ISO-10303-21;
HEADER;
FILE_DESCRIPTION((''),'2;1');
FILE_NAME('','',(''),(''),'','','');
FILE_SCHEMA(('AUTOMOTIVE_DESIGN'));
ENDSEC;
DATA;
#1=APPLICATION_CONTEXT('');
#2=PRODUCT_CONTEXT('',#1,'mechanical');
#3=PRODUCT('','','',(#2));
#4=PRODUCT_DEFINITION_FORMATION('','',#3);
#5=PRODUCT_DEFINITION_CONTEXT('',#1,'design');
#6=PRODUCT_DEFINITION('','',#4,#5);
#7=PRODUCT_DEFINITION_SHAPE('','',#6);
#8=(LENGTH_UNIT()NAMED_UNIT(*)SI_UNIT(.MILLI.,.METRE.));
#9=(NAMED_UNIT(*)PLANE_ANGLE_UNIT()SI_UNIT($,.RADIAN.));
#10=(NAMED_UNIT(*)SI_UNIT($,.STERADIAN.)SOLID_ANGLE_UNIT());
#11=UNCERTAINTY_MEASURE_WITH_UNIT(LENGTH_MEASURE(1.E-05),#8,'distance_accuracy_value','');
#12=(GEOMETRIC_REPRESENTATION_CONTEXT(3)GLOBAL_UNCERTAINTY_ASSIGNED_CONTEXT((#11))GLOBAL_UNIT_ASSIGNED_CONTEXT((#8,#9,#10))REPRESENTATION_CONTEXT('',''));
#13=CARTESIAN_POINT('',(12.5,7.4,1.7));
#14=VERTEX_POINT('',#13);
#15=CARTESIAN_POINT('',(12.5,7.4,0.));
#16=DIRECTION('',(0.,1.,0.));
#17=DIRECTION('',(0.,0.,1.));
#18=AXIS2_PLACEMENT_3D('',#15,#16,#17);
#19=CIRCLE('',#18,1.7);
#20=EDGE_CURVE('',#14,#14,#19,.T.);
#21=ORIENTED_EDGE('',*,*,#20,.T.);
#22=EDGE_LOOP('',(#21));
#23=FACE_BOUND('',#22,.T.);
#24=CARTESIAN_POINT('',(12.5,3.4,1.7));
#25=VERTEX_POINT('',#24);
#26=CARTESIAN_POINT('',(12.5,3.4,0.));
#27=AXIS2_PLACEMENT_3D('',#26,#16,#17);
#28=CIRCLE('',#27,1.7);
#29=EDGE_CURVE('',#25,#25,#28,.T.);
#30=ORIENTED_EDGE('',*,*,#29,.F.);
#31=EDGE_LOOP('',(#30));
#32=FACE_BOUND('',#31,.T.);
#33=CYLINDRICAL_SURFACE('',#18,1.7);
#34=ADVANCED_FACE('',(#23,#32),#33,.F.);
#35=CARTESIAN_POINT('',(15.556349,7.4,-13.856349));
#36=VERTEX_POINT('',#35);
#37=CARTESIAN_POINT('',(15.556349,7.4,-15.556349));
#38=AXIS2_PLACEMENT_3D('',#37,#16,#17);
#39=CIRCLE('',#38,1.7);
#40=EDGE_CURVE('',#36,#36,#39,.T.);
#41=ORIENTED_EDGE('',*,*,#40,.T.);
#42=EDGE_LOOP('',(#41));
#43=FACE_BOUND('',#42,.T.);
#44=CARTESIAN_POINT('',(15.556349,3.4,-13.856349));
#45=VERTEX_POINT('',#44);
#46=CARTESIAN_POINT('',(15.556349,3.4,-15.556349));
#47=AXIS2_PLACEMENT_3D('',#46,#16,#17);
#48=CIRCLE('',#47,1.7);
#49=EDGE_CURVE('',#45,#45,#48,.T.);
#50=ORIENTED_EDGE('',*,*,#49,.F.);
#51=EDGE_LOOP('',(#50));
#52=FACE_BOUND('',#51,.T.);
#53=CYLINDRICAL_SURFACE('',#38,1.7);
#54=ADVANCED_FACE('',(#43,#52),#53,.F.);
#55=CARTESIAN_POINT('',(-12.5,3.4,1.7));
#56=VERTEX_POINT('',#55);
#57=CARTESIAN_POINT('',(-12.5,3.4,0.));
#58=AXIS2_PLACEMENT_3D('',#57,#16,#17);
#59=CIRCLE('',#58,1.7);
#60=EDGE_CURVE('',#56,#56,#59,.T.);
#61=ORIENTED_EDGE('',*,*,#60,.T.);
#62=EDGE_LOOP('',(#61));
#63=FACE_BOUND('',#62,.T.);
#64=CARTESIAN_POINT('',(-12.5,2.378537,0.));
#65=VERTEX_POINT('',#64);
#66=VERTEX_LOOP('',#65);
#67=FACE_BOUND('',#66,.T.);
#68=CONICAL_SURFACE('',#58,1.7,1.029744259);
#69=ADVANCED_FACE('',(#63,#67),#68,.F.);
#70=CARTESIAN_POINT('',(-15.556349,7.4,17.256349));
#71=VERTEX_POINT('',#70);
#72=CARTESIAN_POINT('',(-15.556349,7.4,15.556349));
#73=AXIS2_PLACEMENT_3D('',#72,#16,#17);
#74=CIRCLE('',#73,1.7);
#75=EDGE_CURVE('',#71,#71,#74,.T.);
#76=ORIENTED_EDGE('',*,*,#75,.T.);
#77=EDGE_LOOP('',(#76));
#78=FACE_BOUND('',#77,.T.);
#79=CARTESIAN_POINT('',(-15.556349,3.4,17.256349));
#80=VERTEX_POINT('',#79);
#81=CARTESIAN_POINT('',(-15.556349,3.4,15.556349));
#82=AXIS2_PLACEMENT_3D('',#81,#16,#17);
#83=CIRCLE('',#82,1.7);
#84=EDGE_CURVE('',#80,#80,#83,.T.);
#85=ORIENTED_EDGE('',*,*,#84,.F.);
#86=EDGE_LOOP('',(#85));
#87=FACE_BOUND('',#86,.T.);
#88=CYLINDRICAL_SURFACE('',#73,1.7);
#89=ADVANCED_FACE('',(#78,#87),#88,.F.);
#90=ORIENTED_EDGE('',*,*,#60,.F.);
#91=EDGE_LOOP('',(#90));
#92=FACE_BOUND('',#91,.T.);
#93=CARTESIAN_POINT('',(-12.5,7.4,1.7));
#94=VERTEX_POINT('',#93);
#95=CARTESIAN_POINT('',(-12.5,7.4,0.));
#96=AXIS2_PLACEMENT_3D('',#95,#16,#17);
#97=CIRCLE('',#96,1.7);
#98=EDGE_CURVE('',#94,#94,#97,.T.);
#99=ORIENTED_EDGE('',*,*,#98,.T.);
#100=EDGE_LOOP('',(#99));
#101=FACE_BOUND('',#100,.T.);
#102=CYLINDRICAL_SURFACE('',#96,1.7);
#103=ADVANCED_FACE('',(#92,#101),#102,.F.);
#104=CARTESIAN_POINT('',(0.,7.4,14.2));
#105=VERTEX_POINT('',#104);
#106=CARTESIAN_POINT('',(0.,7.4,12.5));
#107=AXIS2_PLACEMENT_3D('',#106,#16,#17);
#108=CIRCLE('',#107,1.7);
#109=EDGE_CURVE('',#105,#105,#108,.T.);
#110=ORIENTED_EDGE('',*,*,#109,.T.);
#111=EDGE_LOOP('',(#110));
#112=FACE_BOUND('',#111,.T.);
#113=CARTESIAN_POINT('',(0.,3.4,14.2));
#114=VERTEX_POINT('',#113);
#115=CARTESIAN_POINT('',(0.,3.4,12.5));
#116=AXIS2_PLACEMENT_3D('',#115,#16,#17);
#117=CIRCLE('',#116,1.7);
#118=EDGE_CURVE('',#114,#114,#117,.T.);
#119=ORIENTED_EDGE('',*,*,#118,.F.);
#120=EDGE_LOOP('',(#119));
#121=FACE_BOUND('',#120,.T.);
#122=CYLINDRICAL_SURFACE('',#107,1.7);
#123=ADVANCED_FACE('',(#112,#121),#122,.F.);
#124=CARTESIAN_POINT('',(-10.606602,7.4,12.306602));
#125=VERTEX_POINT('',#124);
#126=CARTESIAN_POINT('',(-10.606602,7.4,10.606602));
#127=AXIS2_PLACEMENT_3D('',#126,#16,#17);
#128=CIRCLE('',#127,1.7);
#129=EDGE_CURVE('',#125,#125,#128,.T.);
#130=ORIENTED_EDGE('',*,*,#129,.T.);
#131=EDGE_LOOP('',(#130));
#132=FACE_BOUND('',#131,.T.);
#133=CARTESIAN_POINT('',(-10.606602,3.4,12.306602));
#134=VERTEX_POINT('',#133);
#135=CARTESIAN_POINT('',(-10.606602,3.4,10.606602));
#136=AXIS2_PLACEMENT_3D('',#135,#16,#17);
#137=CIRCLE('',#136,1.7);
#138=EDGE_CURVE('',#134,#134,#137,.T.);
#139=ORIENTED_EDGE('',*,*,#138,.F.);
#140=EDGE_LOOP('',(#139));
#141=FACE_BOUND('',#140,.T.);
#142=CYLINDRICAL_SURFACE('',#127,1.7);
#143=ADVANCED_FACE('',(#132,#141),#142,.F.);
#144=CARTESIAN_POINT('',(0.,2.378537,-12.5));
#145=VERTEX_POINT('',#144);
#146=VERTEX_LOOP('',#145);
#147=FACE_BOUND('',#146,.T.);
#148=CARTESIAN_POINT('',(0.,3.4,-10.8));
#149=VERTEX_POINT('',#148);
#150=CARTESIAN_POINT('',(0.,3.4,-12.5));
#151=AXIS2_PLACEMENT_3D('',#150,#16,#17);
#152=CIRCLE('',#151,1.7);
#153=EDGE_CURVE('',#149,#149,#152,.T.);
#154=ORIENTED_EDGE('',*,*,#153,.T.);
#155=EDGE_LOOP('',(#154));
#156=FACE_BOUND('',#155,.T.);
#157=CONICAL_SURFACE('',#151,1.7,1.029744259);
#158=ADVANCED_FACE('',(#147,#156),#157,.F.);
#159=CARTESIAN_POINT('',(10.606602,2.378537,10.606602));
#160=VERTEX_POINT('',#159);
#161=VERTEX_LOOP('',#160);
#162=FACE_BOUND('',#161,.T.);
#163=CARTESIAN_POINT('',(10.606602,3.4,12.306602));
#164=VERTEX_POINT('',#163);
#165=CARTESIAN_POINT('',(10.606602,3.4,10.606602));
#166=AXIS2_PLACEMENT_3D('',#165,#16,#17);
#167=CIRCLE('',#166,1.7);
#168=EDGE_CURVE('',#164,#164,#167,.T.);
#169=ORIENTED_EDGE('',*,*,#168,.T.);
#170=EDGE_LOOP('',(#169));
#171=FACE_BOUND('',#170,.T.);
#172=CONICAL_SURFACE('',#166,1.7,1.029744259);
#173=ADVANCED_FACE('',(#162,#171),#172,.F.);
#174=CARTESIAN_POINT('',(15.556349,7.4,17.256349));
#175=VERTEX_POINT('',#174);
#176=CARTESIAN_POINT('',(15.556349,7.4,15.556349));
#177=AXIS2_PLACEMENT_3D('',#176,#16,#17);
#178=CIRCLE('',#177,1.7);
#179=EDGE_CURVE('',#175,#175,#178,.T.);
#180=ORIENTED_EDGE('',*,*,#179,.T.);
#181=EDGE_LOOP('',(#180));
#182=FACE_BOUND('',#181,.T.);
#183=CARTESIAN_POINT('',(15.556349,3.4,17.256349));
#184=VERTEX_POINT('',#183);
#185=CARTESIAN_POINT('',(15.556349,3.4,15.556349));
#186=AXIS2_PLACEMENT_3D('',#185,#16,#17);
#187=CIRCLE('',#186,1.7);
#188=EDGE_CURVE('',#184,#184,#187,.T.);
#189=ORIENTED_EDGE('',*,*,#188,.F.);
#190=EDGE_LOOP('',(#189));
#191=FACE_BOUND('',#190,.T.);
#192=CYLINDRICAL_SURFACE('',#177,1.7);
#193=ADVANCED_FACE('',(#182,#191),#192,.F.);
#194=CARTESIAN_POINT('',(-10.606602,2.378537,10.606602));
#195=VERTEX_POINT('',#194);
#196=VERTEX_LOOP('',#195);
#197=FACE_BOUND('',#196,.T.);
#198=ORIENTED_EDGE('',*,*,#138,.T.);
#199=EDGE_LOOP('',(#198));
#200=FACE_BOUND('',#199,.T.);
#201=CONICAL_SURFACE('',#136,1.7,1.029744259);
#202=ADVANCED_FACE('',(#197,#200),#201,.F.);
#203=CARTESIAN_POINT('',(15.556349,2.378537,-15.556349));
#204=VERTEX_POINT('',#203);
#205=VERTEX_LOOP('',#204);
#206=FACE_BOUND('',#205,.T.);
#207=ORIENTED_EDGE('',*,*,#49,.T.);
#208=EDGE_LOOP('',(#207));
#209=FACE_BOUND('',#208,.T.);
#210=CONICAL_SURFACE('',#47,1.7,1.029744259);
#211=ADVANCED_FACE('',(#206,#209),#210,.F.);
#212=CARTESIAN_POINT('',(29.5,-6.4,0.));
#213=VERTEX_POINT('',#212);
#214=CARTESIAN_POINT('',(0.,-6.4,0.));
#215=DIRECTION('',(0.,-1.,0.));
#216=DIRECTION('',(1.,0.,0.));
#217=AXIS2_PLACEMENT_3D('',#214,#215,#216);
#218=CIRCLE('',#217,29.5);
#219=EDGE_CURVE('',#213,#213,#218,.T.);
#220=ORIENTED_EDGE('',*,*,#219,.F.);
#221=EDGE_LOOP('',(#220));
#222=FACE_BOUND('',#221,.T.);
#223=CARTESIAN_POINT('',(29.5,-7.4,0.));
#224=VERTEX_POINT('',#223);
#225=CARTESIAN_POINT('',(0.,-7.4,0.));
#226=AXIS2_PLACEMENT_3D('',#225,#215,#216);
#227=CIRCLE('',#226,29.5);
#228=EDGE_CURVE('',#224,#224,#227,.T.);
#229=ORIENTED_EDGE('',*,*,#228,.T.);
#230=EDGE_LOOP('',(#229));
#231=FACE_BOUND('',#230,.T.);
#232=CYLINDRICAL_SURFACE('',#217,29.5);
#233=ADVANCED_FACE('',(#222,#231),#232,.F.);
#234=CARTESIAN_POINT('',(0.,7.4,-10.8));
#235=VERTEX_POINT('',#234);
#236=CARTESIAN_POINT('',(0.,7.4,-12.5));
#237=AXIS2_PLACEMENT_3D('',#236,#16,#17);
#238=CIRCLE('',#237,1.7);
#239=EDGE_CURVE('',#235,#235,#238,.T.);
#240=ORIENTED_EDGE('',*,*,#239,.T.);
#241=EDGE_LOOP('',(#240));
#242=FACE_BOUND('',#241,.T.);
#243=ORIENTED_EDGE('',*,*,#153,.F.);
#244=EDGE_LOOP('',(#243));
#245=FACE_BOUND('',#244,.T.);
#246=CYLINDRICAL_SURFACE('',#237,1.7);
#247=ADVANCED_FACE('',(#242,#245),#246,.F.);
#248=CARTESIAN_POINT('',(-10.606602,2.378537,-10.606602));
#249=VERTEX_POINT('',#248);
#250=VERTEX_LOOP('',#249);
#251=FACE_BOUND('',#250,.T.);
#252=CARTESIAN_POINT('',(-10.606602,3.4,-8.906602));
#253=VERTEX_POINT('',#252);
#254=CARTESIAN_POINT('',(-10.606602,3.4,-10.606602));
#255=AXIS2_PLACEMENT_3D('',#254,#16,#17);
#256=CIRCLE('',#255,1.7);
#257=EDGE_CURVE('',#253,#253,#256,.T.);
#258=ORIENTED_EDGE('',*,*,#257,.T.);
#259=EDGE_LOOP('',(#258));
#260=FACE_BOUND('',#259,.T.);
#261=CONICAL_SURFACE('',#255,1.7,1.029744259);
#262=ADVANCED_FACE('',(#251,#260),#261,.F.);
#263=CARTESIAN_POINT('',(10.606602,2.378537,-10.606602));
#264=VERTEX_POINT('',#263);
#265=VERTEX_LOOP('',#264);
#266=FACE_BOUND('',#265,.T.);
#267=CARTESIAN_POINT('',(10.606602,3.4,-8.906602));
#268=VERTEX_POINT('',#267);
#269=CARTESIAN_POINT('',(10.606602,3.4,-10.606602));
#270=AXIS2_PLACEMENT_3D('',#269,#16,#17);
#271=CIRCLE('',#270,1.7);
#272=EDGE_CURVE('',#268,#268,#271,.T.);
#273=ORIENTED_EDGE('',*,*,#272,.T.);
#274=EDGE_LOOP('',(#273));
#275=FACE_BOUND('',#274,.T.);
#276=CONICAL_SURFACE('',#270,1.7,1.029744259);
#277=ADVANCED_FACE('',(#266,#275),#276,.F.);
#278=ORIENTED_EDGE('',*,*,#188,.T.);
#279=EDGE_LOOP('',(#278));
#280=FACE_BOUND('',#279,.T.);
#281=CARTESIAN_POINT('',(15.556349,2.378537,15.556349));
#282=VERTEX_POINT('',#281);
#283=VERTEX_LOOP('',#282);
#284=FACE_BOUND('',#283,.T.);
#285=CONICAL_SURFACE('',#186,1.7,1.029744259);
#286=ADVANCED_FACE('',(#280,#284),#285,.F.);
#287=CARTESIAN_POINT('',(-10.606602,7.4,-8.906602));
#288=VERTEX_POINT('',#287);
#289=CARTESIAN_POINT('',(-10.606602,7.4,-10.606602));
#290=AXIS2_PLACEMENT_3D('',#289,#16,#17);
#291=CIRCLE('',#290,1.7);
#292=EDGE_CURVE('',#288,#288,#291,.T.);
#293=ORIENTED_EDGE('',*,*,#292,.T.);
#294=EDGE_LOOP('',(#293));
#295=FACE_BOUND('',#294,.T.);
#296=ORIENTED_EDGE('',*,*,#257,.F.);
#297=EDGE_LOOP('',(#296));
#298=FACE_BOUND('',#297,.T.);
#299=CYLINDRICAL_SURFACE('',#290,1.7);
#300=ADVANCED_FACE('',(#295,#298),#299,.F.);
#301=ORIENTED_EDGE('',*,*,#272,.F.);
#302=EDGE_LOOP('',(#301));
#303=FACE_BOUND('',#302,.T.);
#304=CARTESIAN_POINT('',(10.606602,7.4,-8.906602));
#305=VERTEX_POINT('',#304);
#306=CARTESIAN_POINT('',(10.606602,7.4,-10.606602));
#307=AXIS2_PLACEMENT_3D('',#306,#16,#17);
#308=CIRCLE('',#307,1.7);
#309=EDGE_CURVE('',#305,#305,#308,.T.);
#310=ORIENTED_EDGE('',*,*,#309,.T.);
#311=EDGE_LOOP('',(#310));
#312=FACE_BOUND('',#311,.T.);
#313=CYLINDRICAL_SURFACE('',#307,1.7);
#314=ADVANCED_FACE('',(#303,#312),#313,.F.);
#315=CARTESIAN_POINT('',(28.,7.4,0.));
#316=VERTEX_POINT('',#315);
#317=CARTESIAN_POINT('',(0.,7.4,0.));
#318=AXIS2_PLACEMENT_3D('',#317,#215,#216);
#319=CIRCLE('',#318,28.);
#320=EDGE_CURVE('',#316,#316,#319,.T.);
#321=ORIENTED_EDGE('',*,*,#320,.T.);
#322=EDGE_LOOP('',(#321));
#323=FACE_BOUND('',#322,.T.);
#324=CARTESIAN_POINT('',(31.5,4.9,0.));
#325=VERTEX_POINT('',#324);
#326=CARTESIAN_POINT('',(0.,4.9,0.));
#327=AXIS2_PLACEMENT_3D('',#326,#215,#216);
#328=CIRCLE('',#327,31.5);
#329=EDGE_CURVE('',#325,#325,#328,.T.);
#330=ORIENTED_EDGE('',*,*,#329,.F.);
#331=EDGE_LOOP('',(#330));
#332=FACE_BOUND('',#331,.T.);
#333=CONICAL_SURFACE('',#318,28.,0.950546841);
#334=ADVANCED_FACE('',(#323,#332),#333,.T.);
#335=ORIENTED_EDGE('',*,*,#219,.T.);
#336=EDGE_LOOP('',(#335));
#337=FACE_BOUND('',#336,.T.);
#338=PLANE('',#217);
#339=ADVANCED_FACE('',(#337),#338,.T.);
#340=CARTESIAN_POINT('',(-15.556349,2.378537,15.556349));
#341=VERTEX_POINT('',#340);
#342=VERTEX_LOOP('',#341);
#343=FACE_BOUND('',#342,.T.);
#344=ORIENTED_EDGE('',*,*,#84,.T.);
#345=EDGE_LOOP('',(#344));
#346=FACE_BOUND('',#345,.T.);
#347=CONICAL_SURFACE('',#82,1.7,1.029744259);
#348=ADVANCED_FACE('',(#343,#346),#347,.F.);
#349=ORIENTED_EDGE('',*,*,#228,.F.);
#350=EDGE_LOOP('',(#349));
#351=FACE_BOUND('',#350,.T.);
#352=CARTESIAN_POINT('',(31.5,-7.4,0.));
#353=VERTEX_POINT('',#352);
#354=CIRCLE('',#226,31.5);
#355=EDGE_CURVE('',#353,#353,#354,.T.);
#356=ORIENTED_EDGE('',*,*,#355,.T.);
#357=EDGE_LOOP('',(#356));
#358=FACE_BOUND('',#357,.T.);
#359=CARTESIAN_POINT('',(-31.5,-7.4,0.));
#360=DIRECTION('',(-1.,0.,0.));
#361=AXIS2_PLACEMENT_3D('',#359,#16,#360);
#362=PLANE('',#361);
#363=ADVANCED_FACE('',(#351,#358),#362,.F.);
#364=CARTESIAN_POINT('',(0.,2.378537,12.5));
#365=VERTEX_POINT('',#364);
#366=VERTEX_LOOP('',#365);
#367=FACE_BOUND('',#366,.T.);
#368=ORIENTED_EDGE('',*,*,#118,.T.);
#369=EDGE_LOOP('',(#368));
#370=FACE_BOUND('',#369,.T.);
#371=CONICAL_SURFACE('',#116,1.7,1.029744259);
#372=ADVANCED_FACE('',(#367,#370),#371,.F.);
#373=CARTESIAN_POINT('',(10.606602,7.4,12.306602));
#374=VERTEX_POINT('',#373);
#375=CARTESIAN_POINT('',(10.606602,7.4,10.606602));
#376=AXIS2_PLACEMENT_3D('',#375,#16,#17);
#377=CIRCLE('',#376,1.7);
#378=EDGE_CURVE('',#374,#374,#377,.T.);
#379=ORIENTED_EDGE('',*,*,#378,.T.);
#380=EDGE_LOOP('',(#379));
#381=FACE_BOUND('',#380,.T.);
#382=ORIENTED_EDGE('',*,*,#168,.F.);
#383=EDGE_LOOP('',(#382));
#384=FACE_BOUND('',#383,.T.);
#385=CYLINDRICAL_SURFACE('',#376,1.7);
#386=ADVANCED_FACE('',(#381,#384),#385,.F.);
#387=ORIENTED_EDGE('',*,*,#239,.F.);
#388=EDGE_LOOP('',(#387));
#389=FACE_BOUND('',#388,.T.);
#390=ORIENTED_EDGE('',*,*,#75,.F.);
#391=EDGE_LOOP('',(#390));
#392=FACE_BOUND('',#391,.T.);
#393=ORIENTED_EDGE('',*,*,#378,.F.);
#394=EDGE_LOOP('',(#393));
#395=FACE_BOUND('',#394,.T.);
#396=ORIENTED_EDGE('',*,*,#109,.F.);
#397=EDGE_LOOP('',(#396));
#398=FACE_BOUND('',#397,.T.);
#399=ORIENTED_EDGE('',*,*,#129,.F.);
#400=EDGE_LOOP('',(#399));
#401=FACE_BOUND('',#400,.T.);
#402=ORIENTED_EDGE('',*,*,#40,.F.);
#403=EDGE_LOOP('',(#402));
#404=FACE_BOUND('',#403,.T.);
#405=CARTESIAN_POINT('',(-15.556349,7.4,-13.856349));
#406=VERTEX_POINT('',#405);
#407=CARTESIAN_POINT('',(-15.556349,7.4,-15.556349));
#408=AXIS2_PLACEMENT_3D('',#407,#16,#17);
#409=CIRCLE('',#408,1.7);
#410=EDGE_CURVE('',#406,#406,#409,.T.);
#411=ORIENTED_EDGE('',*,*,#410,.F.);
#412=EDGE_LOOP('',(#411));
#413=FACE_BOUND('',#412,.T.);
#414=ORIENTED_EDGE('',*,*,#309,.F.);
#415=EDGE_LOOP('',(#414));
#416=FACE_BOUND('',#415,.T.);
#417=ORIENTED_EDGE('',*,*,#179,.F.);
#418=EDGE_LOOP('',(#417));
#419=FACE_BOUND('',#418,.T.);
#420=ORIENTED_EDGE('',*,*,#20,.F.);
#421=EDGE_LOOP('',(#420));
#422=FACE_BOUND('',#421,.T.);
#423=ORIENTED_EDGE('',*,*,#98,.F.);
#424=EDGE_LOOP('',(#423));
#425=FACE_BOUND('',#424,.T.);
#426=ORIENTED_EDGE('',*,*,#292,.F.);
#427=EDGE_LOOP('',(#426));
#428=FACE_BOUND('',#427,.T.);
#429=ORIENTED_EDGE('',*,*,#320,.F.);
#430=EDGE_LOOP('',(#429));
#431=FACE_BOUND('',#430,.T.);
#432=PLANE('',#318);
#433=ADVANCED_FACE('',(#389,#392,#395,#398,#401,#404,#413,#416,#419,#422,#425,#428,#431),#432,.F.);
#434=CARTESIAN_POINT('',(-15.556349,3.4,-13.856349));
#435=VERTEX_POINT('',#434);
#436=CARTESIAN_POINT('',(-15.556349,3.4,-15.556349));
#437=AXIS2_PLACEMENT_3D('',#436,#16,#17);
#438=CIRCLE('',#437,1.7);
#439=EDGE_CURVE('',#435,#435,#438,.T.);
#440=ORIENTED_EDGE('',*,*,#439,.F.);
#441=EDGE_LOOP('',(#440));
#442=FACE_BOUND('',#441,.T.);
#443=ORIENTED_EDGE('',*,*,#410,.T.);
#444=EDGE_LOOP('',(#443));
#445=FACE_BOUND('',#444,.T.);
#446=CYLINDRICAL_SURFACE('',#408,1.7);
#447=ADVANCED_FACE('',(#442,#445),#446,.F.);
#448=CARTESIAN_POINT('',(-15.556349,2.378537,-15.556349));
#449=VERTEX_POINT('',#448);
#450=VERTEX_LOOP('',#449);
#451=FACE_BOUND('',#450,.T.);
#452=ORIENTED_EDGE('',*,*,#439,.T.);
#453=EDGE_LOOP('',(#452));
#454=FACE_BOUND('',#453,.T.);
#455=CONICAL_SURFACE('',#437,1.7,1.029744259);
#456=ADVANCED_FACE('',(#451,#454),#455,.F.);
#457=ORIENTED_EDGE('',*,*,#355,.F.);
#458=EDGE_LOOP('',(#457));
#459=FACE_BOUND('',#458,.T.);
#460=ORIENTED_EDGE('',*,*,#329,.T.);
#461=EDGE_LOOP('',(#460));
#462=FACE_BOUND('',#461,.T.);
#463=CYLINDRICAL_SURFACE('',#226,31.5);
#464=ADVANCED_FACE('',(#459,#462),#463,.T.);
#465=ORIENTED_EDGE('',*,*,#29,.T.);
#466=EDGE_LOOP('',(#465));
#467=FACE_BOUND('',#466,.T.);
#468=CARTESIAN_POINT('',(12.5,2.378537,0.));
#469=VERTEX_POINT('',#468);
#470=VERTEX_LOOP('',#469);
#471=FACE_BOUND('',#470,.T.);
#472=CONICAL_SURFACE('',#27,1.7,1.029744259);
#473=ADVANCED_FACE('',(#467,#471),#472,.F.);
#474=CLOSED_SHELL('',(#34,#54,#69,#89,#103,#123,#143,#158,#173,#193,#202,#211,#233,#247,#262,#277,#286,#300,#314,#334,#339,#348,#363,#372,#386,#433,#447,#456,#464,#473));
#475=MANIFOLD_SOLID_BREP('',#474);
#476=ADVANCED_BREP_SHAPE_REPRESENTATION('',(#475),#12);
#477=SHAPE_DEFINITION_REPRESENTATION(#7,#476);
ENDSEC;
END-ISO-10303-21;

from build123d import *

# Parameters (mm, degrees)
M3_CLEARANCE_HOLE1_D     = 3.4
M3_CLEARANCE_HOLE1_DEPTH = 4
M3_CLEARANCE_HOLE1_TIP   = 1.021463052
SKETCH5_R                = 29.5
CUT_EXTRUDE1_DEPTH       = 1


with BuildPart() as part:
    # Sketch1 → Revolve1 (revolve)
    with BuildSketch(Plane.XY, mode=Mode.PRIVATE) as revolve1_sk:
        Polygon((0, -7.4), (0, 7.4), (-28, 7.4), (-31.5, 4.9), (-31.5, -7.4), align=None)
    revolve(revolve1_sk.sketch.rotate(Axis((0, -7.4, 0), (0, 1, 0)), 180), axis=Axis((0, -7.4, 0), (0, 1, 0)))

    # M3 Clearance Hole1
    with Locations(Plane(origin=(0, 7.4, 0), x_dir=(1, 0, 0), z_dir=(0, 1, 0))):
        with Locations((-15.556349186, 15.556349186), (-10.606601718, 10.606601718), (0, 12.5), (10.606601718, 10.606601718), (15.556349186, 15.556349186), (0, -12.5), (-12.5, 0), (12.5, 0), (10.606601718, -10.606601718), (-10.606601718, -10.606601718), (-15.556349186, -15.556349186), (15.556349186, -15.556349186)):
            Hole(M3_CLEARANCE_HOLE1_D / 2, depth=M3_CLEARANCE_HOLE1_DEPTH)
            with Locations((0, 0, -(M3_CLEARANCE_HOLE1_DEPTH + M3_CLEARANCE_HOLE1_TIP / 2))):  # 118° drill point
                Cone(0, M3_CLEARANCE_HOLE1_D / 2, M3_CLEARANCE_HOLE1_TIP, mode=Mode.SUBTRACT)

    # Sketch5 → Cut-Extrude1 (cut)
    with BuildSketch(Plane.XZ.offset(7.4)):
        Circle(SKETCH5_R)
    extrude(amount=-CUT_EXTRUDE1_DEPTH, mode=Mode.SUBTRACT)


solid = part.part
